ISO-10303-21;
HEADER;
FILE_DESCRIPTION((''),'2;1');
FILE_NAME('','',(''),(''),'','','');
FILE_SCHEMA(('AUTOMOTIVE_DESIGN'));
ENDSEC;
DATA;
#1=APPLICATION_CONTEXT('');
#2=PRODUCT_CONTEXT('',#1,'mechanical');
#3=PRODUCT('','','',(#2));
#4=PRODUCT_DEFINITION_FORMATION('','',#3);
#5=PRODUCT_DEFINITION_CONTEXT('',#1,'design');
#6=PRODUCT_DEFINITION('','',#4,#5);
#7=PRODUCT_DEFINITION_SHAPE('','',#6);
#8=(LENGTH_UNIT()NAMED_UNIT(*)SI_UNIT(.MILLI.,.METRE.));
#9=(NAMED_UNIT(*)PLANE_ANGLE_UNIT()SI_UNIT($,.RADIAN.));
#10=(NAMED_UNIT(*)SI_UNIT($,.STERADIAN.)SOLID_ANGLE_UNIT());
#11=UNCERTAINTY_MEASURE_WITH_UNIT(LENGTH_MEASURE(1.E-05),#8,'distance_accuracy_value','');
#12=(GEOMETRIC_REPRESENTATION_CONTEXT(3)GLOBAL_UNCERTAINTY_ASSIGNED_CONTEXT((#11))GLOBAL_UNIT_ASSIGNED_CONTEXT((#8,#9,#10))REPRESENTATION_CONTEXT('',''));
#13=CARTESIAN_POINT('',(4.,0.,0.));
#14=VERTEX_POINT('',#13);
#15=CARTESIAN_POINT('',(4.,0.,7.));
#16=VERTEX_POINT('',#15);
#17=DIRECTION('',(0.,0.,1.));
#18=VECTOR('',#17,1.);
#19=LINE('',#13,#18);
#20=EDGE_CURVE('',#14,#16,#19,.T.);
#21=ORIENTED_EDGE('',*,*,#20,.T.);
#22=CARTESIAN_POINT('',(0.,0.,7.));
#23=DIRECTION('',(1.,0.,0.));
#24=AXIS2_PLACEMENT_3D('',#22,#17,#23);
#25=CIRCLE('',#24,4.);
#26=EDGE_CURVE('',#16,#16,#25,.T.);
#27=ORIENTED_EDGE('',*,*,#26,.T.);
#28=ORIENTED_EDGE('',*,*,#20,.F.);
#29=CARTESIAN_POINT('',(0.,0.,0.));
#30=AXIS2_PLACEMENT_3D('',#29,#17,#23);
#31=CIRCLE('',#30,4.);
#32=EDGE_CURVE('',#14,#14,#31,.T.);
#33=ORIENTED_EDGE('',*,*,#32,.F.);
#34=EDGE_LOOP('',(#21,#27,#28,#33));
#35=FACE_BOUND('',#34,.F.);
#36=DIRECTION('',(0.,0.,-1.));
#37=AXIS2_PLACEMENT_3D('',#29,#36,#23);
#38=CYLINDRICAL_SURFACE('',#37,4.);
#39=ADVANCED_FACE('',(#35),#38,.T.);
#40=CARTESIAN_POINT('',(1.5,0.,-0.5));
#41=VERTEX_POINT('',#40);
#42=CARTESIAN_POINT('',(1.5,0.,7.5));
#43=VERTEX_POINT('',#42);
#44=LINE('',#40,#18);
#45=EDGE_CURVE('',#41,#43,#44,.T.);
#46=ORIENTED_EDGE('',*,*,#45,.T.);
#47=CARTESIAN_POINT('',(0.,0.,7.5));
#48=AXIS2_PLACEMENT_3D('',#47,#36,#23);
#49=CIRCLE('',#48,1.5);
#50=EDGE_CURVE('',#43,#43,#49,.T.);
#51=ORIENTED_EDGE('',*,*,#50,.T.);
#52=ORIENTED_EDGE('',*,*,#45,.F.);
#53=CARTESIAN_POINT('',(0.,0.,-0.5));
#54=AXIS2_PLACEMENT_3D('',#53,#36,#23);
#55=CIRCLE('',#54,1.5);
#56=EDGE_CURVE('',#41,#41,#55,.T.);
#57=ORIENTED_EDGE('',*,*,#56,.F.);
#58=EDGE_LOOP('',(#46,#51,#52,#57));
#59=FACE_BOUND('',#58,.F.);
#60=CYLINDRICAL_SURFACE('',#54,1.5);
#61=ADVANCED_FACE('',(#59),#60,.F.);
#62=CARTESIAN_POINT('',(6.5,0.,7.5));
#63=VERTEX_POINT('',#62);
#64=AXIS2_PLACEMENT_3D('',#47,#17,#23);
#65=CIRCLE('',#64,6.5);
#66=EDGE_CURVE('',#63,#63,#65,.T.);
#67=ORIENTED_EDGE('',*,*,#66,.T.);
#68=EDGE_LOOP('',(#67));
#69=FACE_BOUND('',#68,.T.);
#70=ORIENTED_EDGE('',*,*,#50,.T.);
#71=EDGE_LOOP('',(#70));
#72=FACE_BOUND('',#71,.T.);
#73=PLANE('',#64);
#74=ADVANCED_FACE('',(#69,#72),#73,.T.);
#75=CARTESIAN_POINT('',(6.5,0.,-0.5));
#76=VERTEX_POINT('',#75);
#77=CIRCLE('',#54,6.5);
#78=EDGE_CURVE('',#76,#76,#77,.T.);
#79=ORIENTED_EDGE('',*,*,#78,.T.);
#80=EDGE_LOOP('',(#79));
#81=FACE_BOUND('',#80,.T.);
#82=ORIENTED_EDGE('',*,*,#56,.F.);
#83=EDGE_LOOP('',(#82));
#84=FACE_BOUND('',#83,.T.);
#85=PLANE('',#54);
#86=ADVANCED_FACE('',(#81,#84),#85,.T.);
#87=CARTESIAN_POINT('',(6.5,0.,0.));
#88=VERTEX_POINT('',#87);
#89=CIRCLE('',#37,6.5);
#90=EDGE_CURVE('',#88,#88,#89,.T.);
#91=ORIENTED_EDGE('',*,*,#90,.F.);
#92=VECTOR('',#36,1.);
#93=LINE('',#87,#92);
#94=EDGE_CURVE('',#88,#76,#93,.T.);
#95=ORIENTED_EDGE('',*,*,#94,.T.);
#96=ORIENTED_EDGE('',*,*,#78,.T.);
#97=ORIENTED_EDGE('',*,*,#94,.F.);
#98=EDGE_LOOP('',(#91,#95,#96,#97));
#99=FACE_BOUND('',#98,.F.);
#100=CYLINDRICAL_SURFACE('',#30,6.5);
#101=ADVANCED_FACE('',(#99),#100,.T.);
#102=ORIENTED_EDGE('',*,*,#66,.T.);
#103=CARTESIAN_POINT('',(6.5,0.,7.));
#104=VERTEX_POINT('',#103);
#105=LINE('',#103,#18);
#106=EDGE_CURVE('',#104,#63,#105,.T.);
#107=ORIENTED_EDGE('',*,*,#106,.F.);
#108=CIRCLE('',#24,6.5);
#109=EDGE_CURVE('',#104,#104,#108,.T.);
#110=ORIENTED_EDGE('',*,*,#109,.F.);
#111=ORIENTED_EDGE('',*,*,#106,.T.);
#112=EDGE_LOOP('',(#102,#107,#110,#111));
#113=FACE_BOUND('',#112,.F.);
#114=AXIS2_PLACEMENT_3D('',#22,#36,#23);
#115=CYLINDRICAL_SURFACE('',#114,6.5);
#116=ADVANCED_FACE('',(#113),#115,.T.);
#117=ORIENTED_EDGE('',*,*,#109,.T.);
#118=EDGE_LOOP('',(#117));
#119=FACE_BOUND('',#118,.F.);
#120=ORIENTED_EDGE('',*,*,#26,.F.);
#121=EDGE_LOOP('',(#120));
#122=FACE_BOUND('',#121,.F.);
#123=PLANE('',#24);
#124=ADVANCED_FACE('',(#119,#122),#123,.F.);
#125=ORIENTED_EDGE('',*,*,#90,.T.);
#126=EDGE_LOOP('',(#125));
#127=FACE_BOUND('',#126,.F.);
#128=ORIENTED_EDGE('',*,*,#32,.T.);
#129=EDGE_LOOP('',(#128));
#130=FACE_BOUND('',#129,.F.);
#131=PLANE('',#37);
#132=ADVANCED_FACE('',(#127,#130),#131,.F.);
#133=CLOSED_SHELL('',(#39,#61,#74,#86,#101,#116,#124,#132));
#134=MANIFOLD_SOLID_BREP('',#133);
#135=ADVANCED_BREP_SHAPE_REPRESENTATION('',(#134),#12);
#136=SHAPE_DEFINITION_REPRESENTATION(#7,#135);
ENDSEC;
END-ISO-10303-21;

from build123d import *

# Parameters (mm, degrees)
SKETCH067_R     = 4
PAD037_DEPTH    = 7
SKETCH068_R     = 6.5
PAD038_DEPTH    = 0.5
SKETCH070_R     = 6.5
PAD039_DEPTH    = 0.5
SKETCH071_R     = 1.5
POCKET037_DEPTH = 8.001


with BuildPart() as part:
    # Sketch067 → Pad037 (new body)
    with BuildSketch(Plane.XY):
        Circle(SKETCH067_R)
    extrude(amount=PAD037_DEPTH)

    # Sketch068 (on Face3 of Pad037) → Pad038 (join)
    with BuildSketch(Plane.XY.offset(7)):
        Circle(SKETCH068_R)
    extrude(amount=PAD038_DEPTH)

    # Sketch070 (on Face5 of Pad038) → Pad039 (join)
    with BuildSketch(Plane(origin=(0, 0, 0), x_dir=(1, 0, 0), z_dir=(0, 0, -1))):
        Circle(SKETCH070_R)
    extrude(amount=PAD039_DEPTH)

    # Sketch071 (on Face3 of Pad039) → Pocket037 (cut, through all)
    with BuildSketch(Plane(origin=(0, 0, -0.5), x_dir=(1, 0, 0), z_dir=(0, 0, -1))):
        Circle(SKETCH071_R)
    extrude(amount=-POCKET037_DEPTH, mode=Mode.SUBTRACT)


solid = part.part
